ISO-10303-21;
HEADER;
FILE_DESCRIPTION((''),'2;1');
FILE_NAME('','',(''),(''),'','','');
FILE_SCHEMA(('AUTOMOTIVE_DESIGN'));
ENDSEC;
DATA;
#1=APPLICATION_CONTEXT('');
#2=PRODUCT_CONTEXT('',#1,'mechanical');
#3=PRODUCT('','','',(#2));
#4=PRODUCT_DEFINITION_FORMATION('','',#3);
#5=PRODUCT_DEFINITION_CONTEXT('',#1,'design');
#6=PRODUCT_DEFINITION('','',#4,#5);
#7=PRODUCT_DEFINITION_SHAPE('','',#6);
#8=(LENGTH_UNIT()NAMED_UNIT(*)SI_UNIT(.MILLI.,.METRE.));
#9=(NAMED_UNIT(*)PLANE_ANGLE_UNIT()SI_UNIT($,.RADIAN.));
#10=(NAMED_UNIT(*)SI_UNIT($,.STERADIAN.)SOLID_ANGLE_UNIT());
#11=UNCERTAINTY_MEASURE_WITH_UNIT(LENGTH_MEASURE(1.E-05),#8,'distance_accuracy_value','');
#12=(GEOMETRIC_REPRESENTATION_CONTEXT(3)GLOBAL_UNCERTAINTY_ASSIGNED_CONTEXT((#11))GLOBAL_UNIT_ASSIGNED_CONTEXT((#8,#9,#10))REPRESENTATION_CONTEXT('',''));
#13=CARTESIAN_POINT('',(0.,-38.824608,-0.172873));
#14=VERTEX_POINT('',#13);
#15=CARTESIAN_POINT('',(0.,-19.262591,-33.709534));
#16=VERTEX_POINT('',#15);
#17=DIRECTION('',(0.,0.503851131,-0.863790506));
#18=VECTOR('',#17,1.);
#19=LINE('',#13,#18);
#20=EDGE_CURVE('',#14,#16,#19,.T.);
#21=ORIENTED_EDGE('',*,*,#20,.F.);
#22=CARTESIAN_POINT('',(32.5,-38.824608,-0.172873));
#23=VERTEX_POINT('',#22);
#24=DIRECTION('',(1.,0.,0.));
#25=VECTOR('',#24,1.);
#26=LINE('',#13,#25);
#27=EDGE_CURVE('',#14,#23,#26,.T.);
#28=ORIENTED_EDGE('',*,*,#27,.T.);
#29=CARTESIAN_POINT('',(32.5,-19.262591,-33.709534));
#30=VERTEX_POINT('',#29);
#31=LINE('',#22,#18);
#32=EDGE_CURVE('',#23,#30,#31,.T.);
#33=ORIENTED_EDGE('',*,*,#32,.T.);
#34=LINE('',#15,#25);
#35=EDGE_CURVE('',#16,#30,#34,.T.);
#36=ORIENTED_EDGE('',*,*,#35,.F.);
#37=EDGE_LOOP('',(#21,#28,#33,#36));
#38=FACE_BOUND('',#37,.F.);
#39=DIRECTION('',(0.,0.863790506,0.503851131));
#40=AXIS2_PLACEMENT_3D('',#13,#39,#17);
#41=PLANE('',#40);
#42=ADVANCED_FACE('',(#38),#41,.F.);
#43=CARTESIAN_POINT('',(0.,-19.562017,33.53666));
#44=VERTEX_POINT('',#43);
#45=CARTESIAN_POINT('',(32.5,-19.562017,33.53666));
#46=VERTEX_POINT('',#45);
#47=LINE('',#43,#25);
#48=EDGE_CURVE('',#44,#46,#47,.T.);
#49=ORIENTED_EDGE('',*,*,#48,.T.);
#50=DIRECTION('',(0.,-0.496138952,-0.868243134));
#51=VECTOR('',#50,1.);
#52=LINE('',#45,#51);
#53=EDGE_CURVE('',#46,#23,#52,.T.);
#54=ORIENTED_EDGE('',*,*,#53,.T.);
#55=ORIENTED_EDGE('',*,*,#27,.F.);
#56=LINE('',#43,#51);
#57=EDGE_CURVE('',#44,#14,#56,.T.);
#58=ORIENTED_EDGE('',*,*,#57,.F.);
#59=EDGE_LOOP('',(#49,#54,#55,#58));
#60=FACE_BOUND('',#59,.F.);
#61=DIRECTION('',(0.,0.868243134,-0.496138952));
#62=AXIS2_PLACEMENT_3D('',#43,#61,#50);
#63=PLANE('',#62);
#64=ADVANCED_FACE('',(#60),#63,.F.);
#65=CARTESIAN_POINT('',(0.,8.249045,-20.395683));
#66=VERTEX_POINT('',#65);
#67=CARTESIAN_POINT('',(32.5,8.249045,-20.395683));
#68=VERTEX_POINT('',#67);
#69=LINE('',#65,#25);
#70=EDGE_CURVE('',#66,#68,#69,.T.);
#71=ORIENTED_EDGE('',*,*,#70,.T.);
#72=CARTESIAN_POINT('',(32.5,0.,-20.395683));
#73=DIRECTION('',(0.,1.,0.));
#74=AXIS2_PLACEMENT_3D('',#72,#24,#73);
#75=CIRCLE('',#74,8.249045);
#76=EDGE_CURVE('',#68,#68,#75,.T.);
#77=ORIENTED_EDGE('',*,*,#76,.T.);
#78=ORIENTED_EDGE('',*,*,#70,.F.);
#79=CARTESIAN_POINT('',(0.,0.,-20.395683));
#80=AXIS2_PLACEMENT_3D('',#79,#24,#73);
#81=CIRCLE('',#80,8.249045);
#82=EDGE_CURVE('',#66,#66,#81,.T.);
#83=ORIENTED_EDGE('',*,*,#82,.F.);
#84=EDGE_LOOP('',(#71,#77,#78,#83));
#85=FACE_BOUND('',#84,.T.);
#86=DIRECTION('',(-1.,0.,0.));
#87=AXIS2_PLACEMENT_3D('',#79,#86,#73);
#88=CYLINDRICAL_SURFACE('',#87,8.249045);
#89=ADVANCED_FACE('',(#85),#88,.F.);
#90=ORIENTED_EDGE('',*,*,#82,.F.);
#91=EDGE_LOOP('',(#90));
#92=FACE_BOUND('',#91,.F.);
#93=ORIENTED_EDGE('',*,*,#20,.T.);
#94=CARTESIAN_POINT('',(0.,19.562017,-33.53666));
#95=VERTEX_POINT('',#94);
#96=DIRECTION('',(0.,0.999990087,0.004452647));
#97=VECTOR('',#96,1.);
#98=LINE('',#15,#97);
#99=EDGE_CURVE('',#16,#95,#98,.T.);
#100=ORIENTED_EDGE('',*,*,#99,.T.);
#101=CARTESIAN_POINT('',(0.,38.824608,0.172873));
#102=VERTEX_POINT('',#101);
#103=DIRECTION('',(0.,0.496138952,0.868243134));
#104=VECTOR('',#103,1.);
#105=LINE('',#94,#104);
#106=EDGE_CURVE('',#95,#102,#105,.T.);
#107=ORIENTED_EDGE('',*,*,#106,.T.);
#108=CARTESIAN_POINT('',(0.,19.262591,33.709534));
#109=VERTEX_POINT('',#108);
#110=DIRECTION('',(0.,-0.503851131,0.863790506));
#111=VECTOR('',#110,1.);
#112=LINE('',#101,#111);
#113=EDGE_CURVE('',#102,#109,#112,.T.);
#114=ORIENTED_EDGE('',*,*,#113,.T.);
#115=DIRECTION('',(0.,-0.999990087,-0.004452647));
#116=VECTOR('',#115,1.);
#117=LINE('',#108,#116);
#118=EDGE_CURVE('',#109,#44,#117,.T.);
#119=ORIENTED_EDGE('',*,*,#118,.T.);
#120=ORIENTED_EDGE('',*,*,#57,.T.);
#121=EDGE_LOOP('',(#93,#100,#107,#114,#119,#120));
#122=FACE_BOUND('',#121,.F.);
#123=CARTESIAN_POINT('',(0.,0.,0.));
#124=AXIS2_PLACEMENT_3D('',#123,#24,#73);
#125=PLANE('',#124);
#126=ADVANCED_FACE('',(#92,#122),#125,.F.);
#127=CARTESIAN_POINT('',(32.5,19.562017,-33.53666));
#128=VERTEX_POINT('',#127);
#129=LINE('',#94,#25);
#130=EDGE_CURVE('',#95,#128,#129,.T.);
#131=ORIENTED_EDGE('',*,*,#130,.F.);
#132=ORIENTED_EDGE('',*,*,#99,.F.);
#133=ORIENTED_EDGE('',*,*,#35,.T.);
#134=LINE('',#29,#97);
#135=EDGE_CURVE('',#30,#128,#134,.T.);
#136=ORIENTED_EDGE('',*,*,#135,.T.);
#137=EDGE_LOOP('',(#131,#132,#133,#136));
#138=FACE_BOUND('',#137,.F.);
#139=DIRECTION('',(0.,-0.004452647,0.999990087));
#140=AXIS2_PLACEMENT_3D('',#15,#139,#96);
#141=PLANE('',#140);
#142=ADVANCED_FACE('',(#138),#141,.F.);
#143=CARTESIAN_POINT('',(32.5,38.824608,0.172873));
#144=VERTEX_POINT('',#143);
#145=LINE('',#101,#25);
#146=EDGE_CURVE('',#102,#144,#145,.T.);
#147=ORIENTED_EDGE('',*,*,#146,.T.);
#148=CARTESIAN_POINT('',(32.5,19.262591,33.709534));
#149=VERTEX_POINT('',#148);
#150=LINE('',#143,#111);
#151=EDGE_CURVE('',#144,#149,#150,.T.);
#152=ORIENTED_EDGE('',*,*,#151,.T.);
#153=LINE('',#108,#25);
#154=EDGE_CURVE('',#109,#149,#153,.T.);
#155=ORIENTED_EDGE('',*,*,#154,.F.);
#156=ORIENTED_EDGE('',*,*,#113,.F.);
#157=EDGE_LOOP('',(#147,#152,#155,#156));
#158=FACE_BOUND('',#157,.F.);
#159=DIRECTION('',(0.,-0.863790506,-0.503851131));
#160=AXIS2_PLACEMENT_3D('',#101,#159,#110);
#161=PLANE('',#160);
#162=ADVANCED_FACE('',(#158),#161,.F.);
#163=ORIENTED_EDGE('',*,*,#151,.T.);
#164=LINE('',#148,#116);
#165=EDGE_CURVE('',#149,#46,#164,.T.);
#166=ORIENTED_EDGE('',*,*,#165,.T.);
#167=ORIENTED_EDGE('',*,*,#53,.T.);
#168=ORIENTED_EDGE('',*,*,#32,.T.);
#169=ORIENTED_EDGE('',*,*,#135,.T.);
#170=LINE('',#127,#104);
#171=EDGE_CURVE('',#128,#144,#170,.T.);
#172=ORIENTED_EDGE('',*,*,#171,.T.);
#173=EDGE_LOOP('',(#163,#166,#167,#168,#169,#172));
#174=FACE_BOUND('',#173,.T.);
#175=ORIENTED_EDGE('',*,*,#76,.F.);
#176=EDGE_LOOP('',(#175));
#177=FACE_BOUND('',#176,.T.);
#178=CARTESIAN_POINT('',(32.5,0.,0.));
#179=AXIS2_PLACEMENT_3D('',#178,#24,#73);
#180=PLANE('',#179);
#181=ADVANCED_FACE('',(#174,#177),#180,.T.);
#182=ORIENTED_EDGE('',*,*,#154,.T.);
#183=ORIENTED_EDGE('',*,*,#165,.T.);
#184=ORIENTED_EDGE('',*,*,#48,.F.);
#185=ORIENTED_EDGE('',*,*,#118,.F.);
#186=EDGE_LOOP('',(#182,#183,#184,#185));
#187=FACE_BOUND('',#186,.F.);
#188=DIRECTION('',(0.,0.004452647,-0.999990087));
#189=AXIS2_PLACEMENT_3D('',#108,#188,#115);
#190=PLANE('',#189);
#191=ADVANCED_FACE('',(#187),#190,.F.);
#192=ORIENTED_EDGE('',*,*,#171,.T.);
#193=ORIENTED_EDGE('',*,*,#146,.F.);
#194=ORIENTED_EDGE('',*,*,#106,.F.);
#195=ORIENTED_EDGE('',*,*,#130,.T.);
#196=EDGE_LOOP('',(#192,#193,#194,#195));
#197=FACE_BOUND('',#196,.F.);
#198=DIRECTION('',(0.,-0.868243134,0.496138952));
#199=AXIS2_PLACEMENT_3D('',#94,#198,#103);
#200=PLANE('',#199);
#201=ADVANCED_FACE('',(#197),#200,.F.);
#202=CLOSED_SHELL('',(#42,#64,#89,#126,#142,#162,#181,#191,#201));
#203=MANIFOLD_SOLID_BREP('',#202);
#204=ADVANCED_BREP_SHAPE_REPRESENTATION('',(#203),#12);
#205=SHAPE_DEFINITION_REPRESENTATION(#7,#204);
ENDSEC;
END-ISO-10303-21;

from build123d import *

# Parameters (mm, degrees)
F0_R     = 8.249045
F1_DEPTH = 32.5


with BuildPart() as f1:
    # F0 (on Right) → F1 (new body)
    with BuildSketch(Plane.YZ):
        Polygon((38.824608, 0.172873), (19.262591, 33.709534), (-19.562017, 33.53666), (-38.824608, -0.172873), (-19.262591, -33.709534), (19.562017, -33.53666), align=None)
        with Locations((0, -20.395683)):
            Circle(F0_R, mode=Mode.SUBTRACT)
    extrude(amount=F1_DEPTH)


solid = f1.part
